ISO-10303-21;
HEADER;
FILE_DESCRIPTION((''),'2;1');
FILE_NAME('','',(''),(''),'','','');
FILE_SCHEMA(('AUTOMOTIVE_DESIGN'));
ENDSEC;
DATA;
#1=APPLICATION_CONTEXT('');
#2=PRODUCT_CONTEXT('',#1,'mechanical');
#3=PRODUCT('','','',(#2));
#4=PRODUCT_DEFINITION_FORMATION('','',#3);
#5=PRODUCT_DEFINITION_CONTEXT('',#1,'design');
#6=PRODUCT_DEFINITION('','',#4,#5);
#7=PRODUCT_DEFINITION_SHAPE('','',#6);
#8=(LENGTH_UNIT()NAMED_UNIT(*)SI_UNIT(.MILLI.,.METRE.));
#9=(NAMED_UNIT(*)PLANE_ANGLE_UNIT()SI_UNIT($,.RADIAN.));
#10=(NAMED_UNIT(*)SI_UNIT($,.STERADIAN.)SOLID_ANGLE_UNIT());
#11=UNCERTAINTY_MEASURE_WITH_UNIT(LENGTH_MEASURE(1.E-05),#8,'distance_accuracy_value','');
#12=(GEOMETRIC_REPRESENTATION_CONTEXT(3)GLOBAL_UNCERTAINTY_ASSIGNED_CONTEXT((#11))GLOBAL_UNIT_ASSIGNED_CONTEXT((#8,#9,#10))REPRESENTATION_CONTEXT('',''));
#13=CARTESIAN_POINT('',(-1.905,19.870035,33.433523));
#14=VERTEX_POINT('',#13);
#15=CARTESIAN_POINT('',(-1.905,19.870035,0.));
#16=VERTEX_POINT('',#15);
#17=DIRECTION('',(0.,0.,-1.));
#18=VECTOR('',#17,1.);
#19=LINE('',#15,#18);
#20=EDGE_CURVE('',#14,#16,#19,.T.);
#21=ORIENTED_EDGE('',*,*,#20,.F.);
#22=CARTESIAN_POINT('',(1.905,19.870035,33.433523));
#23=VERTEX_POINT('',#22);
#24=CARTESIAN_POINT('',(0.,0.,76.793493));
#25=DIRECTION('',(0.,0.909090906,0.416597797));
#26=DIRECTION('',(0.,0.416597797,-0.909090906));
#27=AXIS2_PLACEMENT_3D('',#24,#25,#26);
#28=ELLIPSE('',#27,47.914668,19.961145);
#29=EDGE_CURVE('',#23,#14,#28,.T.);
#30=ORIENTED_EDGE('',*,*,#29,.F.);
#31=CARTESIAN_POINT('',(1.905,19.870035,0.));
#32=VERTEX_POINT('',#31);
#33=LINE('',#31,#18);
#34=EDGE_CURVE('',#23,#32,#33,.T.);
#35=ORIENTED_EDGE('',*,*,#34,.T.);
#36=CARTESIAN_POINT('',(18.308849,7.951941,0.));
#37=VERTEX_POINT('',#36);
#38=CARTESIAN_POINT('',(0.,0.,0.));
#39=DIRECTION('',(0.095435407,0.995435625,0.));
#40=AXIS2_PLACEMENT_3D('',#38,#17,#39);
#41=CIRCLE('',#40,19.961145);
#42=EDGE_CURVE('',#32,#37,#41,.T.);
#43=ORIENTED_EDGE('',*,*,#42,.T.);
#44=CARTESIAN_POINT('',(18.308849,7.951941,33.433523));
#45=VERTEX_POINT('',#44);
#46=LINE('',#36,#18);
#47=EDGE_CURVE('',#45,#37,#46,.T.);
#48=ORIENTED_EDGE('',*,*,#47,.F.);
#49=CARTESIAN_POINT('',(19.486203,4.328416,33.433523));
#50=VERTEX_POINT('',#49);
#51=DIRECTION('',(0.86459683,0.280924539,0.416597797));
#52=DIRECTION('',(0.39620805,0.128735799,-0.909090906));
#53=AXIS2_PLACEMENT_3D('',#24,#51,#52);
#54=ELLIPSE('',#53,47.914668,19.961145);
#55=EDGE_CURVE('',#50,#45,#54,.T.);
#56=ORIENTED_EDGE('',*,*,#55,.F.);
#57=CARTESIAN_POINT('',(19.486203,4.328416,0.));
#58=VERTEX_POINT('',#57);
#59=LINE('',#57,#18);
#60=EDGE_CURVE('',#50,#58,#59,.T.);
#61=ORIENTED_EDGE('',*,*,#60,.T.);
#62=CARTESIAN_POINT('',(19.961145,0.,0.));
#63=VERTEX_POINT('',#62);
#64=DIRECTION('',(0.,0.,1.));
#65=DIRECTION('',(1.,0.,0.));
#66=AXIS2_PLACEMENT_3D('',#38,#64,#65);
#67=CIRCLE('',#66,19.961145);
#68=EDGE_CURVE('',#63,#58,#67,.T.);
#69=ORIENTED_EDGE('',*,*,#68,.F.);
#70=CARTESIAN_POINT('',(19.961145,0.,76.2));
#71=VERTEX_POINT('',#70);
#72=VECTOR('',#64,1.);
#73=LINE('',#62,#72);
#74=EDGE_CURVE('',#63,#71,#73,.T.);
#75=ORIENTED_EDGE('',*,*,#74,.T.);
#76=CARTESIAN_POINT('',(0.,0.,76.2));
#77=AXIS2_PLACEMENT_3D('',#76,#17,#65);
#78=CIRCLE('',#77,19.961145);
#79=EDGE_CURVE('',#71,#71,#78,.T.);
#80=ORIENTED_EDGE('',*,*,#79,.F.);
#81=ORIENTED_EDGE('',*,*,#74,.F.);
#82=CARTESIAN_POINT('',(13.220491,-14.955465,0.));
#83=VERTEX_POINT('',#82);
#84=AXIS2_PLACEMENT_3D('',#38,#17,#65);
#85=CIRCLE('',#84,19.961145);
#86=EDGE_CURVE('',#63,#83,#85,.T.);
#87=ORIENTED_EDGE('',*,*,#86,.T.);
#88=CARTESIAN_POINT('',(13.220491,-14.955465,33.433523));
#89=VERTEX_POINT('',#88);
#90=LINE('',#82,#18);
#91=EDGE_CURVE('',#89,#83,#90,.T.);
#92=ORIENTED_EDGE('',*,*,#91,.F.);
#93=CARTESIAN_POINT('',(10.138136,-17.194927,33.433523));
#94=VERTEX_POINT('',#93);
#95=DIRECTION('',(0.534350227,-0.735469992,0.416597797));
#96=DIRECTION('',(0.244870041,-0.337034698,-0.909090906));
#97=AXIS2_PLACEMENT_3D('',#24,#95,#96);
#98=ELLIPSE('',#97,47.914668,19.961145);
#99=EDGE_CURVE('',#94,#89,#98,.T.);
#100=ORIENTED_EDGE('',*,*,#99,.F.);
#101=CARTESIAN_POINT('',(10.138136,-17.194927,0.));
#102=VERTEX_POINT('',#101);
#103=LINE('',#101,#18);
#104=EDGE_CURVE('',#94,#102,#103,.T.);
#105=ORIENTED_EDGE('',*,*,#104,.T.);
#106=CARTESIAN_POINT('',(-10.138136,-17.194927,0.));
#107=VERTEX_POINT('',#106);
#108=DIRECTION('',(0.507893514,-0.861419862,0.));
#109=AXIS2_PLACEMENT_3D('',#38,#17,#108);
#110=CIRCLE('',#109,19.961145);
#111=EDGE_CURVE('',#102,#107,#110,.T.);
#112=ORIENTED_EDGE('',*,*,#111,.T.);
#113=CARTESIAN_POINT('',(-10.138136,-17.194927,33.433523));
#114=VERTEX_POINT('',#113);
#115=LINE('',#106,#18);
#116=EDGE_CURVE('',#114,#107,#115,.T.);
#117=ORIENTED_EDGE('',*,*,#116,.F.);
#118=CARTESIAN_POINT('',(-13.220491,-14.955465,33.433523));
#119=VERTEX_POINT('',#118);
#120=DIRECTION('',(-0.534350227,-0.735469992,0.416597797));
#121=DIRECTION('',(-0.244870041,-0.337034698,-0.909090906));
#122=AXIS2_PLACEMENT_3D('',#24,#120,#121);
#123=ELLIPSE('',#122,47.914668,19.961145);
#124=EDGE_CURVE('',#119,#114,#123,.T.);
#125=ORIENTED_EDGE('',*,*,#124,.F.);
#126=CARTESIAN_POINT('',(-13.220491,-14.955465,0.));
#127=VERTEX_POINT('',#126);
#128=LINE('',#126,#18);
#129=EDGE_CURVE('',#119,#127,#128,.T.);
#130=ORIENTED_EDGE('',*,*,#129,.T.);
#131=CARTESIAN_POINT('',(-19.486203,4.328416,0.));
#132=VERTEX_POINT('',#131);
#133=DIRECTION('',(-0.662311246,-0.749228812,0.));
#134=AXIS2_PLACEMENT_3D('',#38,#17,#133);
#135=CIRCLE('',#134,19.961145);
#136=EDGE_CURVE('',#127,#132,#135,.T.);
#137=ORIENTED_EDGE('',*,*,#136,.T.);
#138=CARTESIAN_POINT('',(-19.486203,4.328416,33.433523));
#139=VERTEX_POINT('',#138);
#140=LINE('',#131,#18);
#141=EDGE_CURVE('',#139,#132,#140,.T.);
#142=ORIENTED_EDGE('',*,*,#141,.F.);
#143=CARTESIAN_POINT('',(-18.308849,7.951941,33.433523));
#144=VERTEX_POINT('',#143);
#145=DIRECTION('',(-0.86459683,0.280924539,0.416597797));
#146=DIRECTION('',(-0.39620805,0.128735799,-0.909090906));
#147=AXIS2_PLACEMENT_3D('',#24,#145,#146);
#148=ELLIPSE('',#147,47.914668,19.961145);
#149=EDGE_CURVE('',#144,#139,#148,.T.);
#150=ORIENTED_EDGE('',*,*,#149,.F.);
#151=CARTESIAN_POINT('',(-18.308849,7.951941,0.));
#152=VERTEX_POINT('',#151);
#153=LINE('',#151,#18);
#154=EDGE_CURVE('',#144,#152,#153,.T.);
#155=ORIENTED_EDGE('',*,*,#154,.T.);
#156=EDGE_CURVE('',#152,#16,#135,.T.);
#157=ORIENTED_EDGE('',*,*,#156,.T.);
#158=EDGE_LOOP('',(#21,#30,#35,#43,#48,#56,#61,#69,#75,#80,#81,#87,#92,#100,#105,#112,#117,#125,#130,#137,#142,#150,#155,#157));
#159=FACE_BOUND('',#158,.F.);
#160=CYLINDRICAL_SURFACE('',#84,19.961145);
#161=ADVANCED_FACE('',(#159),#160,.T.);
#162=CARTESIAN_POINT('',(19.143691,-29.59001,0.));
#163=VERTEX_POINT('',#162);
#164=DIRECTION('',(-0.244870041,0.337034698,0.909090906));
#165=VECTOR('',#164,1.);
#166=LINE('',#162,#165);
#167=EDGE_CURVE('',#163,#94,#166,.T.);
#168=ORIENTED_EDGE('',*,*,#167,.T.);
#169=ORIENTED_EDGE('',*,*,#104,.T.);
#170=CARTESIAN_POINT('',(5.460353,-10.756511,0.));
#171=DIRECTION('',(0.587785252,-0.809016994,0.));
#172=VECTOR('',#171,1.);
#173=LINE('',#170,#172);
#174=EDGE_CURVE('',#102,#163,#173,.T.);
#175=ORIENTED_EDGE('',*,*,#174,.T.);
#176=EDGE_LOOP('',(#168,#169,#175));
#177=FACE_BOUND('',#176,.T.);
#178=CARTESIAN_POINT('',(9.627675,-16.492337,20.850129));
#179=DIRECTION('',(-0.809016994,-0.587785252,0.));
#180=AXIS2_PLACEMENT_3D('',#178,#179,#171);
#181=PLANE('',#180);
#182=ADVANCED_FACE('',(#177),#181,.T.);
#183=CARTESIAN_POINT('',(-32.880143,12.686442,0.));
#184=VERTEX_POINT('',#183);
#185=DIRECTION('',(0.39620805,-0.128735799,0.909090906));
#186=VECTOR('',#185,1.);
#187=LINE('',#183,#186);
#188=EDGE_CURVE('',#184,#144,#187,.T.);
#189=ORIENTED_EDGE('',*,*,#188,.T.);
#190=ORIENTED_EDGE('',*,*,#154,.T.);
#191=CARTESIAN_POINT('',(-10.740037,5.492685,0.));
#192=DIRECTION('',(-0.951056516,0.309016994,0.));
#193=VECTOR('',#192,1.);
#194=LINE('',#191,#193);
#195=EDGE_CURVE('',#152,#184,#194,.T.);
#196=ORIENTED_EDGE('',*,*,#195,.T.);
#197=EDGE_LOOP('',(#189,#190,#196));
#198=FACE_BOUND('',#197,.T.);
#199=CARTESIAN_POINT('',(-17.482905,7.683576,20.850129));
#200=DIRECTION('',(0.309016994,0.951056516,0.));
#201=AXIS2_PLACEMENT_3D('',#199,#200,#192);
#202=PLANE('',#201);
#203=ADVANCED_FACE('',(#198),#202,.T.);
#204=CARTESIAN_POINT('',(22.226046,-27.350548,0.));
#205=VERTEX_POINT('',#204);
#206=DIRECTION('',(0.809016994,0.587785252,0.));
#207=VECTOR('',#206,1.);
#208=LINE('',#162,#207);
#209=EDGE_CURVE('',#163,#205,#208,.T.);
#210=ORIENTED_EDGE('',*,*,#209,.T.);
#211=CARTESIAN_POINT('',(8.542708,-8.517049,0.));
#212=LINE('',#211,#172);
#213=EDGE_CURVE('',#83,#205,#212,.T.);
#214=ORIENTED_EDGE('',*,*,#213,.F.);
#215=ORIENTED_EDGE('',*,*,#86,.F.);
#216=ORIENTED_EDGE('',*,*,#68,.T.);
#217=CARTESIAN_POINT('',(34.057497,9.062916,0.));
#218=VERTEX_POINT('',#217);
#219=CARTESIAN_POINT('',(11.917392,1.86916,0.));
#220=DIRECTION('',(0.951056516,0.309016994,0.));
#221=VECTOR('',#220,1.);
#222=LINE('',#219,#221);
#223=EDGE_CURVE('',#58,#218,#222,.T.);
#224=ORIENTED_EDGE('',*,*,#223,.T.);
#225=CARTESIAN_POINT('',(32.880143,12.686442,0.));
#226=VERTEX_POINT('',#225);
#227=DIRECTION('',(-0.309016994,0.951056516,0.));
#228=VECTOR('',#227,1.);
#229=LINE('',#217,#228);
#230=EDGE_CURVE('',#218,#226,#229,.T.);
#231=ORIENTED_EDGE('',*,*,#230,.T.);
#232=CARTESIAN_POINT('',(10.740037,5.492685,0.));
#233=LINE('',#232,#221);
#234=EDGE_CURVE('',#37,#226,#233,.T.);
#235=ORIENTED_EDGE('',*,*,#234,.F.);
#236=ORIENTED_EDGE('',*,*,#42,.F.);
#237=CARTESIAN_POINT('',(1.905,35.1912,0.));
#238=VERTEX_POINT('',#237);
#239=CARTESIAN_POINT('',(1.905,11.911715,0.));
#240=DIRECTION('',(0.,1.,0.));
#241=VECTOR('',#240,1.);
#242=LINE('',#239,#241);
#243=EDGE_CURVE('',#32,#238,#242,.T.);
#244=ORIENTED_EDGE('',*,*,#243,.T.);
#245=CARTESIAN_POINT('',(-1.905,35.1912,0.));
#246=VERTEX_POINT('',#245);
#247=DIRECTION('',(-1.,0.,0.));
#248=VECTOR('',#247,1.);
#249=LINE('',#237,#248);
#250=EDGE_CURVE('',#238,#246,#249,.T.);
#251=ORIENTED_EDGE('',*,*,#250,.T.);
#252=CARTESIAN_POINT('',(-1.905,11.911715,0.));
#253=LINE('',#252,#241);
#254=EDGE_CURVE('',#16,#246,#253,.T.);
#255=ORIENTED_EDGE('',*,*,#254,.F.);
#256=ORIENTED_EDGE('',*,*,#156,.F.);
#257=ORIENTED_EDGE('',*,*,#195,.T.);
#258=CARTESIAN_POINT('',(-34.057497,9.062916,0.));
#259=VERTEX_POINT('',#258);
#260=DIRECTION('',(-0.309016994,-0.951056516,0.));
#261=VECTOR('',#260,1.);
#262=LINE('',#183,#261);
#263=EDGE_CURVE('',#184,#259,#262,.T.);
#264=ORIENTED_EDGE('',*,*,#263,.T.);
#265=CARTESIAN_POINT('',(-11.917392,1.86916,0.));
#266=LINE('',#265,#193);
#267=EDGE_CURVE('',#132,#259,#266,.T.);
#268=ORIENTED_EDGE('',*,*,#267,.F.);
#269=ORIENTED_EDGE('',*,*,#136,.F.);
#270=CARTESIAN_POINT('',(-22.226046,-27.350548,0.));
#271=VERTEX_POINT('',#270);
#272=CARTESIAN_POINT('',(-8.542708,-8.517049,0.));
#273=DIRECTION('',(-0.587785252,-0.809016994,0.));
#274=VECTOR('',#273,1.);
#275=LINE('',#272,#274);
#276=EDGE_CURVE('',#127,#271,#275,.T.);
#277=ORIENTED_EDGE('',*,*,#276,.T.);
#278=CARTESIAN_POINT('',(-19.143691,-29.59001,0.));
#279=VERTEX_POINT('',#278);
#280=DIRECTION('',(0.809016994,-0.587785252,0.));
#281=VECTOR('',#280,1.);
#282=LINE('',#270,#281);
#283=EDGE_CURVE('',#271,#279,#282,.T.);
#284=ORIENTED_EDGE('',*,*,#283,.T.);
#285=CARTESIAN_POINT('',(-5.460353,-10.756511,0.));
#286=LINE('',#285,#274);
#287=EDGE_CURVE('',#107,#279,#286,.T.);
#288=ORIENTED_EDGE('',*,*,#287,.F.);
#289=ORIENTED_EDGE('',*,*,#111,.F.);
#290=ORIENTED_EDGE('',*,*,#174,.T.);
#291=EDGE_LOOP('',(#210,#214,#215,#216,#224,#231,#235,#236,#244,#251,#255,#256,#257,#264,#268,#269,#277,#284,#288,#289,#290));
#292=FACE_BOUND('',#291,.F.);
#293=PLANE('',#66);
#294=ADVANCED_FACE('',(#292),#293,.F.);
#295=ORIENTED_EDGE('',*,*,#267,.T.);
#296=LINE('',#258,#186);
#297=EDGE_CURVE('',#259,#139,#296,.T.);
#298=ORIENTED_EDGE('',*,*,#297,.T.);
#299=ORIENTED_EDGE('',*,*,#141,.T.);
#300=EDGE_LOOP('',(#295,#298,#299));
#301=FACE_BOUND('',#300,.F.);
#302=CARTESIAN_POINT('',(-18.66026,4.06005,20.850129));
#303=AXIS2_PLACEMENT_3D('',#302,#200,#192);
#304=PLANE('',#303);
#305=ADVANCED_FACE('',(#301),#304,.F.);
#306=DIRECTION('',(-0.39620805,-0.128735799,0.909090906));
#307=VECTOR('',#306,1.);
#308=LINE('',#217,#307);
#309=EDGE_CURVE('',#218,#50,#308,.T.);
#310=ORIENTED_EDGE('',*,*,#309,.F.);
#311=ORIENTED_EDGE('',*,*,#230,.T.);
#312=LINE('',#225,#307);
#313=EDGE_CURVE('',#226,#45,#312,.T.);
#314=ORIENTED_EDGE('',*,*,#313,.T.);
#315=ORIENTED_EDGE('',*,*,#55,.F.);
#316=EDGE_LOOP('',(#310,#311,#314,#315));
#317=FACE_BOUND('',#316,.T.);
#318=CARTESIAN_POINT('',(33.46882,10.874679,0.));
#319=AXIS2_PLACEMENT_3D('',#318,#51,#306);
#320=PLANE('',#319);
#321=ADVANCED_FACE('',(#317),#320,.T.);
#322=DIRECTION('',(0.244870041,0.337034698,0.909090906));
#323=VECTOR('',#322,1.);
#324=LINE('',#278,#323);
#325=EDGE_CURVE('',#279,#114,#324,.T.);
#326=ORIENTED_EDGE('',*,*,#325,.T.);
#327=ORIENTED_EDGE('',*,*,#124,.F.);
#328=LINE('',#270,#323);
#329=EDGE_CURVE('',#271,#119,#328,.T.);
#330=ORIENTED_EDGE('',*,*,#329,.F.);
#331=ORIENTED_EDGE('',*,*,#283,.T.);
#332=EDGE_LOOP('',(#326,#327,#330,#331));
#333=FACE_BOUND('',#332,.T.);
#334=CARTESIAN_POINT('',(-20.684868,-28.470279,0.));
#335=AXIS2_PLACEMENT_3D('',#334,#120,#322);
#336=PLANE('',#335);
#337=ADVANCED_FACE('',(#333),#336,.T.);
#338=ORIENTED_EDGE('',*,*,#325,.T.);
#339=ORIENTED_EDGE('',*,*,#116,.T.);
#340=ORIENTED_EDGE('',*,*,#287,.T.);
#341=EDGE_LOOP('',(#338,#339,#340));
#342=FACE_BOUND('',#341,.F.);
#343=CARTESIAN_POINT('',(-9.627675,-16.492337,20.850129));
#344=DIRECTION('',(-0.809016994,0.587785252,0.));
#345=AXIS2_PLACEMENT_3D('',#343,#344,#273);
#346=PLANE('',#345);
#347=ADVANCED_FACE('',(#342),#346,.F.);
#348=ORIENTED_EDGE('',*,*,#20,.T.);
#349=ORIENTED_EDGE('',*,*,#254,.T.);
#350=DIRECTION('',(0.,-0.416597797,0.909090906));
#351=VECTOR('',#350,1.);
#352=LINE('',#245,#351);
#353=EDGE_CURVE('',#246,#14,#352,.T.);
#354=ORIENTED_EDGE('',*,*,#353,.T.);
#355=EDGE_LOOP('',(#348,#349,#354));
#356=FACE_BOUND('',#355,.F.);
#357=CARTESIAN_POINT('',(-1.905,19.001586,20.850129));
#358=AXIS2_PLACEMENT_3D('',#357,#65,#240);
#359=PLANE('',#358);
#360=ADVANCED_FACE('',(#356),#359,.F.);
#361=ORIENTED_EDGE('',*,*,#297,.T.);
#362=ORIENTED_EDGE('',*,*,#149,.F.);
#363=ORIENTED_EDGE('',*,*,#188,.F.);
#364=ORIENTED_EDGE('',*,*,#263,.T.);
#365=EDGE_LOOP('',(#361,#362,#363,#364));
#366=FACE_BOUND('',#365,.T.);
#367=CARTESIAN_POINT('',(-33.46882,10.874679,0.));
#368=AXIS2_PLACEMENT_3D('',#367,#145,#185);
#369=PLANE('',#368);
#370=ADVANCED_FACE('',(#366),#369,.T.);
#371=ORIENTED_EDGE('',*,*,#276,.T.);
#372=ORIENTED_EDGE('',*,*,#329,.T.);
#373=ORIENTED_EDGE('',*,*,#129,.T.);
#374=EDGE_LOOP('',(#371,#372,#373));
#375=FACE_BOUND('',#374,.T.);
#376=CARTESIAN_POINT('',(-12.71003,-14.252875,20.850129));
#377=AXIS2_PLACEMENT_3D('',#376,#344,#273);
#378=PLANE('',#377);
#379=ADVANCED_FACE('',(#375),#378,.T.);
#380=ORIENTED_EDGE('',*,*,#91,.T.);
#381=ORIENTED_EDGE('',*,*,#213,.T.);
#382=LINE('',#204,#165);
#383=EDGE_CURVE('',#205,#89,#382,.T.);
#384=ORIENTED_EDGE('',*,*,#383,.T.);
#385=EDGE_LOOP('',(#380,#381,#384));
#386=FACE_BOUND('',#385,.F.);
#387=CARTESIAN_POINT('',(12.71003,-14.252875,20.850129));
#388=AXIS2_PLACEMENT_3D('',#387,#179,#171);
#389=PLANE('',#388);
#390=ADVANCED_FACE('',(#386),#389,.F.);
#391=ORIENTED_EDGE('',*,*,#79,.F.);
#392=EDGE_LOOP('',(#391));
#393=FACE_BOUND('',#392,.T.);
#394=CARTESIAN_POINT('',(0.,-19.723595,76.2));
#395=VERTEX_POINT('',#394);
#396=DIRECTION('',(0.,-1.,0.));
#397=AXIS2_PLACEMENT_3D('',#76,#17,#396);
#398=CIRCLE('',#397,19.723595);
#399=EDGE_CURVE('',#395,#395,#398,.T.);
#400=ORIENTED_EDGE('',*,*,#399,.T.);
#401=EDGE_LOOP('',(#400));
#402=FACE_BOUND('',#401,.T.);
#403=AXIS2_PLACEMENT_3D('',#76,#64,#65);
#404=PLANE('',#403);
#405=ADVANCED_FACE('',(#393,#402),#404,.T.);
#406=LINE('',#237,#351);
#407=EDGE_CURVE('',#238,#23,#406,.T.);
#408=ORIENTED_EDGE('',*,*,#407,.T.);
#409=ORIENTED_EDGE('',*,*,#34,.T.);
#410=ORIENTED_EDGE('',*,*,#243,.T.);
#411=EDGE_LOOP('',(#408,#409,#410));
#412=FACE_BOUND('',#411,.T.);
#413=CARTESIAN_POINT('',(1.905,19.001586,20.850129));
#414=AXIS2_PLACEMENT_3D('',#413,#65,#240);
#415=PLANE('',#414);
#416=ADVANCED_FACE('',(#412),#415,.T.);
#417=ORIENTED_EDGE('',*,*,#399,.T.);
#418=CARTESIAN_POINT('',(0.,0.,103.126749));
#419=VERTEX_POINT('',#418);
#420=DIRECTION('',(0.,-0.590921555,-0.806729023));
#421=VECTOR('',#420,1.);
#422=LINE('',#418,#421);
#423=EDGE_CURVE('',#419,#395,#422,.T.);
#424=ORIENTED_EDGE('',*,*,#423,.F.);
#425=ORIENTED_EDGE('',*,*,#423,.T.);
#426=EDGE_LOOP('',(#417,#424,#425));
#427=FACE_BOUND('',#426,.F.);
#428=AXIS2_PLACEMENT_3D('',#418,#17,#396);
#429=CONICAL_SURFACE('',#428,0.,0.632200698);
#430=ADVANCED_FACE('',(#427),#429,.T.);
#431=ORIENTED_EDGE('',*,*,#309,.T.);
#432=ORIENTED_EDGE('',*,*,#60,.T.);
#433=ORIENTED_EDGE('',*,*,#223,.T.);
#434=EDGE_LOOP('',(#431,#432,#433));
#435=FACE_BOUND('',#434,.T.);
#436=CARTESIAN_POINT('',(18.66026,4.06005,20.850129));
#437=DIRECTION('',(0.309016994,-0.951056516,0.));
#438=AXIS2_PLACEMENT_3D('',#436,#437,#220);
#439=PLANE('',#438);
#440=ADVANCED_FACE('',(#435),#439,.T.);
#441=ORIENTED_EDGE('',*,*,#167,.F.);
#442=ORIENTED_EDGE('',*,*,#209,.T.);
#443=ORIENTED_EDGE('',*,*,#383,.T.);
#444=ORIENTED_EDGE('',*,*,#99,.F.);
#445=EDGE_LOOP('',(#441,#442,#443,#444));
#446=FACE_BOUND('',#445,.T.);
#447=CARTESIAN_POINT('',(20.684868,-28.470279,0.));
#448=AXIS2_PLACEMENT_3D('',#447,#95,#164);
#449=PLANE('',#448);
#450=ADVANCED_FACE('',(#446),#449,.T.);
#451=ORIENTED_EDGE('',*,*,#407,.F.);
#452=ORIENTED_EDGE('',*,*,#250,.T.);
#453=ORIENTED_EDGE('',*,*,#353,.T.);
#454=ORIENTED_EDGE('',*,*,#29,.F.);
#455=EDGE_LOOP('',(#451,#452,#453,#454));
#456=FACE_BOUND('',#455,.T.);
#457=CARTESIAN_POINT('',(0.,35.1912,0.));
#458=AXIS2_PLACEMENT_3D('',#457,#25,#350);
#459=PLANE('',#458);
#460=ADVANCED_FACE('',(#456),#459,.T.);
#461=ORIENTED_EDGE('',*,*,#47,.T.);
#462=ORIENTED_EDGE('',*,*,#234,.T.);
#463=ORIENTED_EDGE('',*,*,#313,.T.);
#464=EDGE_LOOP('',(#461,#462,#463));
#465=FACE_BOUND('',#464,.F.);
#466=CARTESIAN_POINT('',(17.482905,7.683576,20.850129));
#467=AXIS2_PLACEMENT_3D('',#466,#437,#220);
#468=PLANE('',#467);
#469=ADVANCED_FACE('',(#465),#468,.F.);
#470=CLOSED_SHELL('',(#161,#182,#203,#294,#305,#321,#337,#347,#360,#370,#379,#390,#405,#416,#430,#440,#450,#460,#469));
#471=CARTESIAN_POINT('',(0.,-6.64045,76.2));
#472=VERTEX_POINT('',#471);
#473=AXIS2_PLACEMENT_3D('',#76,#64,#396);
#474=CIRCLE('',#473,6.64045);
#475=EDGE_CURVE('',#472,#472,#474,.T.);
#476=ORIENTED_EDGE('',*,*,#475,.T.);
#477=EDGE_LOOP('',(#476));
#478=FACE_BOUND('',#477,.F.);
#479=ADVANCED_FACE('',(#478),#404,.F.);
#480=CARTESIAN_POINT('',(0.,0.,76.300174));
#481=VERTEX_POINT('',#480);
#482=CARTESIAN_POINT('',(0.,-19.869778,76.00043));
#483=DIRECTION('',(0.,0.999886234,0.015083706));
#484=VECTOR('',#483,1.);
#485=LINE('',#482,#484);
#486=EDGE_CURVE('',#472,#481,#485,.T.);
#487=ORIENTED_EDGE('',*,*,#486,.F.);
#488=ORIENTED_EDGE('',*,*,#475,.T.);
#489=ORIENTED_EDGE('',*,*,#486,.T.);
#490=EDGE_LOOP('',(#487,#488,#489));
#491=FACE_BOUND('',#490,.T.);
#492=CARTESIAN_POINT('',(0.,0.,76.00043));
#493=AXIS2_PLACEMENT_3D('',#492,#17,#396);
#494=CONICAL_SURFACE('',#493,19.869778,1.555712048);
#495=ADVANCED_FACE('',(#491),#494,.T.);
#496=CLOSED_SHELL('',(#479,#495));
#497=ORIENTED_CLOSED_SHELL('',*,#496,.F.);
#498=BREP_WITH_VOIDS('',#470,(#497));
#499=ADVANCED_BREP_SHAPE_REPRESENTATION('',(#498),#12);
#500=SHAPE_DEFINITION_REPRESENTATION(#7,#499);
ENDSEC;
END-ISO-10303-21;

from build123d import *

# Parameters (mm, degrees)
F0_R     = 19.961145
F1_DEPTH = 76.2
F3_DEPTH = 1.905
F4_COUNT = 5


with BuildPart() as f1:
    # F0 (on Top) → F1 (new body)
    with BuildSketch(Plane.XY):
        Circle(F0_R)
    extrude(amount=F1_DEPTH)

    # F2 (on Right) → F3 (join, symmetric)
    with BuildSketch(Plane.YZ):
        Polygon((11.911715, 50.8), (11.911715, 0), (35.1912, 0), align=None)
    extrude(amount=F3_DEPTH, both=True)



with BuildPart() as f4_1:
    # F4: instance of F1
    add(f1.part.rotate(Axis((0, 0, 0), (0, 0, -1)), 1 * 360 / F4_COUNT))


with BuildPart() as f4_2:
    # F4: instance of F1
    add(f1.part.rotate(Axis((0, 0, 0), (0, 0, -1)), 2 * 360 / F4_COUNT))


with BuildPart() as f4_3:
    # F4: instance of F1
    add(f1.part.rotate(Axis((0, 0, 0), (0, 0, -1)), 3 * 360 / F4_COUNT))


with BuildPart() as f4_4:
    # F4: instance of F1
    add(f1.part.rotate(Axis((0, 0, 0), (0, 0, -1)), 4 * 360 / F4_COUNT))


with BuildPart() as f1_1:
    add(f1.part)

    add(f4_1.part)  # F6 merges F4_1

    add(f4_2.part)  # F6 merges F4_2

    add(f4_3.part)  # F6 merges F4_3

    add(f4_4.part)  # F6 merges F4_4
    # F5 (on Right) → F6 (revolve)
    with BuildSketch(Plane.YZ):
        Polygon((-19.869778, 76.00043), (0, 76.300174), (0, 103.126749), align=None)
    revolve(axis=Axis((0, 0, 89.713462), (0, 0, 1)))


solid = f1_1.part
